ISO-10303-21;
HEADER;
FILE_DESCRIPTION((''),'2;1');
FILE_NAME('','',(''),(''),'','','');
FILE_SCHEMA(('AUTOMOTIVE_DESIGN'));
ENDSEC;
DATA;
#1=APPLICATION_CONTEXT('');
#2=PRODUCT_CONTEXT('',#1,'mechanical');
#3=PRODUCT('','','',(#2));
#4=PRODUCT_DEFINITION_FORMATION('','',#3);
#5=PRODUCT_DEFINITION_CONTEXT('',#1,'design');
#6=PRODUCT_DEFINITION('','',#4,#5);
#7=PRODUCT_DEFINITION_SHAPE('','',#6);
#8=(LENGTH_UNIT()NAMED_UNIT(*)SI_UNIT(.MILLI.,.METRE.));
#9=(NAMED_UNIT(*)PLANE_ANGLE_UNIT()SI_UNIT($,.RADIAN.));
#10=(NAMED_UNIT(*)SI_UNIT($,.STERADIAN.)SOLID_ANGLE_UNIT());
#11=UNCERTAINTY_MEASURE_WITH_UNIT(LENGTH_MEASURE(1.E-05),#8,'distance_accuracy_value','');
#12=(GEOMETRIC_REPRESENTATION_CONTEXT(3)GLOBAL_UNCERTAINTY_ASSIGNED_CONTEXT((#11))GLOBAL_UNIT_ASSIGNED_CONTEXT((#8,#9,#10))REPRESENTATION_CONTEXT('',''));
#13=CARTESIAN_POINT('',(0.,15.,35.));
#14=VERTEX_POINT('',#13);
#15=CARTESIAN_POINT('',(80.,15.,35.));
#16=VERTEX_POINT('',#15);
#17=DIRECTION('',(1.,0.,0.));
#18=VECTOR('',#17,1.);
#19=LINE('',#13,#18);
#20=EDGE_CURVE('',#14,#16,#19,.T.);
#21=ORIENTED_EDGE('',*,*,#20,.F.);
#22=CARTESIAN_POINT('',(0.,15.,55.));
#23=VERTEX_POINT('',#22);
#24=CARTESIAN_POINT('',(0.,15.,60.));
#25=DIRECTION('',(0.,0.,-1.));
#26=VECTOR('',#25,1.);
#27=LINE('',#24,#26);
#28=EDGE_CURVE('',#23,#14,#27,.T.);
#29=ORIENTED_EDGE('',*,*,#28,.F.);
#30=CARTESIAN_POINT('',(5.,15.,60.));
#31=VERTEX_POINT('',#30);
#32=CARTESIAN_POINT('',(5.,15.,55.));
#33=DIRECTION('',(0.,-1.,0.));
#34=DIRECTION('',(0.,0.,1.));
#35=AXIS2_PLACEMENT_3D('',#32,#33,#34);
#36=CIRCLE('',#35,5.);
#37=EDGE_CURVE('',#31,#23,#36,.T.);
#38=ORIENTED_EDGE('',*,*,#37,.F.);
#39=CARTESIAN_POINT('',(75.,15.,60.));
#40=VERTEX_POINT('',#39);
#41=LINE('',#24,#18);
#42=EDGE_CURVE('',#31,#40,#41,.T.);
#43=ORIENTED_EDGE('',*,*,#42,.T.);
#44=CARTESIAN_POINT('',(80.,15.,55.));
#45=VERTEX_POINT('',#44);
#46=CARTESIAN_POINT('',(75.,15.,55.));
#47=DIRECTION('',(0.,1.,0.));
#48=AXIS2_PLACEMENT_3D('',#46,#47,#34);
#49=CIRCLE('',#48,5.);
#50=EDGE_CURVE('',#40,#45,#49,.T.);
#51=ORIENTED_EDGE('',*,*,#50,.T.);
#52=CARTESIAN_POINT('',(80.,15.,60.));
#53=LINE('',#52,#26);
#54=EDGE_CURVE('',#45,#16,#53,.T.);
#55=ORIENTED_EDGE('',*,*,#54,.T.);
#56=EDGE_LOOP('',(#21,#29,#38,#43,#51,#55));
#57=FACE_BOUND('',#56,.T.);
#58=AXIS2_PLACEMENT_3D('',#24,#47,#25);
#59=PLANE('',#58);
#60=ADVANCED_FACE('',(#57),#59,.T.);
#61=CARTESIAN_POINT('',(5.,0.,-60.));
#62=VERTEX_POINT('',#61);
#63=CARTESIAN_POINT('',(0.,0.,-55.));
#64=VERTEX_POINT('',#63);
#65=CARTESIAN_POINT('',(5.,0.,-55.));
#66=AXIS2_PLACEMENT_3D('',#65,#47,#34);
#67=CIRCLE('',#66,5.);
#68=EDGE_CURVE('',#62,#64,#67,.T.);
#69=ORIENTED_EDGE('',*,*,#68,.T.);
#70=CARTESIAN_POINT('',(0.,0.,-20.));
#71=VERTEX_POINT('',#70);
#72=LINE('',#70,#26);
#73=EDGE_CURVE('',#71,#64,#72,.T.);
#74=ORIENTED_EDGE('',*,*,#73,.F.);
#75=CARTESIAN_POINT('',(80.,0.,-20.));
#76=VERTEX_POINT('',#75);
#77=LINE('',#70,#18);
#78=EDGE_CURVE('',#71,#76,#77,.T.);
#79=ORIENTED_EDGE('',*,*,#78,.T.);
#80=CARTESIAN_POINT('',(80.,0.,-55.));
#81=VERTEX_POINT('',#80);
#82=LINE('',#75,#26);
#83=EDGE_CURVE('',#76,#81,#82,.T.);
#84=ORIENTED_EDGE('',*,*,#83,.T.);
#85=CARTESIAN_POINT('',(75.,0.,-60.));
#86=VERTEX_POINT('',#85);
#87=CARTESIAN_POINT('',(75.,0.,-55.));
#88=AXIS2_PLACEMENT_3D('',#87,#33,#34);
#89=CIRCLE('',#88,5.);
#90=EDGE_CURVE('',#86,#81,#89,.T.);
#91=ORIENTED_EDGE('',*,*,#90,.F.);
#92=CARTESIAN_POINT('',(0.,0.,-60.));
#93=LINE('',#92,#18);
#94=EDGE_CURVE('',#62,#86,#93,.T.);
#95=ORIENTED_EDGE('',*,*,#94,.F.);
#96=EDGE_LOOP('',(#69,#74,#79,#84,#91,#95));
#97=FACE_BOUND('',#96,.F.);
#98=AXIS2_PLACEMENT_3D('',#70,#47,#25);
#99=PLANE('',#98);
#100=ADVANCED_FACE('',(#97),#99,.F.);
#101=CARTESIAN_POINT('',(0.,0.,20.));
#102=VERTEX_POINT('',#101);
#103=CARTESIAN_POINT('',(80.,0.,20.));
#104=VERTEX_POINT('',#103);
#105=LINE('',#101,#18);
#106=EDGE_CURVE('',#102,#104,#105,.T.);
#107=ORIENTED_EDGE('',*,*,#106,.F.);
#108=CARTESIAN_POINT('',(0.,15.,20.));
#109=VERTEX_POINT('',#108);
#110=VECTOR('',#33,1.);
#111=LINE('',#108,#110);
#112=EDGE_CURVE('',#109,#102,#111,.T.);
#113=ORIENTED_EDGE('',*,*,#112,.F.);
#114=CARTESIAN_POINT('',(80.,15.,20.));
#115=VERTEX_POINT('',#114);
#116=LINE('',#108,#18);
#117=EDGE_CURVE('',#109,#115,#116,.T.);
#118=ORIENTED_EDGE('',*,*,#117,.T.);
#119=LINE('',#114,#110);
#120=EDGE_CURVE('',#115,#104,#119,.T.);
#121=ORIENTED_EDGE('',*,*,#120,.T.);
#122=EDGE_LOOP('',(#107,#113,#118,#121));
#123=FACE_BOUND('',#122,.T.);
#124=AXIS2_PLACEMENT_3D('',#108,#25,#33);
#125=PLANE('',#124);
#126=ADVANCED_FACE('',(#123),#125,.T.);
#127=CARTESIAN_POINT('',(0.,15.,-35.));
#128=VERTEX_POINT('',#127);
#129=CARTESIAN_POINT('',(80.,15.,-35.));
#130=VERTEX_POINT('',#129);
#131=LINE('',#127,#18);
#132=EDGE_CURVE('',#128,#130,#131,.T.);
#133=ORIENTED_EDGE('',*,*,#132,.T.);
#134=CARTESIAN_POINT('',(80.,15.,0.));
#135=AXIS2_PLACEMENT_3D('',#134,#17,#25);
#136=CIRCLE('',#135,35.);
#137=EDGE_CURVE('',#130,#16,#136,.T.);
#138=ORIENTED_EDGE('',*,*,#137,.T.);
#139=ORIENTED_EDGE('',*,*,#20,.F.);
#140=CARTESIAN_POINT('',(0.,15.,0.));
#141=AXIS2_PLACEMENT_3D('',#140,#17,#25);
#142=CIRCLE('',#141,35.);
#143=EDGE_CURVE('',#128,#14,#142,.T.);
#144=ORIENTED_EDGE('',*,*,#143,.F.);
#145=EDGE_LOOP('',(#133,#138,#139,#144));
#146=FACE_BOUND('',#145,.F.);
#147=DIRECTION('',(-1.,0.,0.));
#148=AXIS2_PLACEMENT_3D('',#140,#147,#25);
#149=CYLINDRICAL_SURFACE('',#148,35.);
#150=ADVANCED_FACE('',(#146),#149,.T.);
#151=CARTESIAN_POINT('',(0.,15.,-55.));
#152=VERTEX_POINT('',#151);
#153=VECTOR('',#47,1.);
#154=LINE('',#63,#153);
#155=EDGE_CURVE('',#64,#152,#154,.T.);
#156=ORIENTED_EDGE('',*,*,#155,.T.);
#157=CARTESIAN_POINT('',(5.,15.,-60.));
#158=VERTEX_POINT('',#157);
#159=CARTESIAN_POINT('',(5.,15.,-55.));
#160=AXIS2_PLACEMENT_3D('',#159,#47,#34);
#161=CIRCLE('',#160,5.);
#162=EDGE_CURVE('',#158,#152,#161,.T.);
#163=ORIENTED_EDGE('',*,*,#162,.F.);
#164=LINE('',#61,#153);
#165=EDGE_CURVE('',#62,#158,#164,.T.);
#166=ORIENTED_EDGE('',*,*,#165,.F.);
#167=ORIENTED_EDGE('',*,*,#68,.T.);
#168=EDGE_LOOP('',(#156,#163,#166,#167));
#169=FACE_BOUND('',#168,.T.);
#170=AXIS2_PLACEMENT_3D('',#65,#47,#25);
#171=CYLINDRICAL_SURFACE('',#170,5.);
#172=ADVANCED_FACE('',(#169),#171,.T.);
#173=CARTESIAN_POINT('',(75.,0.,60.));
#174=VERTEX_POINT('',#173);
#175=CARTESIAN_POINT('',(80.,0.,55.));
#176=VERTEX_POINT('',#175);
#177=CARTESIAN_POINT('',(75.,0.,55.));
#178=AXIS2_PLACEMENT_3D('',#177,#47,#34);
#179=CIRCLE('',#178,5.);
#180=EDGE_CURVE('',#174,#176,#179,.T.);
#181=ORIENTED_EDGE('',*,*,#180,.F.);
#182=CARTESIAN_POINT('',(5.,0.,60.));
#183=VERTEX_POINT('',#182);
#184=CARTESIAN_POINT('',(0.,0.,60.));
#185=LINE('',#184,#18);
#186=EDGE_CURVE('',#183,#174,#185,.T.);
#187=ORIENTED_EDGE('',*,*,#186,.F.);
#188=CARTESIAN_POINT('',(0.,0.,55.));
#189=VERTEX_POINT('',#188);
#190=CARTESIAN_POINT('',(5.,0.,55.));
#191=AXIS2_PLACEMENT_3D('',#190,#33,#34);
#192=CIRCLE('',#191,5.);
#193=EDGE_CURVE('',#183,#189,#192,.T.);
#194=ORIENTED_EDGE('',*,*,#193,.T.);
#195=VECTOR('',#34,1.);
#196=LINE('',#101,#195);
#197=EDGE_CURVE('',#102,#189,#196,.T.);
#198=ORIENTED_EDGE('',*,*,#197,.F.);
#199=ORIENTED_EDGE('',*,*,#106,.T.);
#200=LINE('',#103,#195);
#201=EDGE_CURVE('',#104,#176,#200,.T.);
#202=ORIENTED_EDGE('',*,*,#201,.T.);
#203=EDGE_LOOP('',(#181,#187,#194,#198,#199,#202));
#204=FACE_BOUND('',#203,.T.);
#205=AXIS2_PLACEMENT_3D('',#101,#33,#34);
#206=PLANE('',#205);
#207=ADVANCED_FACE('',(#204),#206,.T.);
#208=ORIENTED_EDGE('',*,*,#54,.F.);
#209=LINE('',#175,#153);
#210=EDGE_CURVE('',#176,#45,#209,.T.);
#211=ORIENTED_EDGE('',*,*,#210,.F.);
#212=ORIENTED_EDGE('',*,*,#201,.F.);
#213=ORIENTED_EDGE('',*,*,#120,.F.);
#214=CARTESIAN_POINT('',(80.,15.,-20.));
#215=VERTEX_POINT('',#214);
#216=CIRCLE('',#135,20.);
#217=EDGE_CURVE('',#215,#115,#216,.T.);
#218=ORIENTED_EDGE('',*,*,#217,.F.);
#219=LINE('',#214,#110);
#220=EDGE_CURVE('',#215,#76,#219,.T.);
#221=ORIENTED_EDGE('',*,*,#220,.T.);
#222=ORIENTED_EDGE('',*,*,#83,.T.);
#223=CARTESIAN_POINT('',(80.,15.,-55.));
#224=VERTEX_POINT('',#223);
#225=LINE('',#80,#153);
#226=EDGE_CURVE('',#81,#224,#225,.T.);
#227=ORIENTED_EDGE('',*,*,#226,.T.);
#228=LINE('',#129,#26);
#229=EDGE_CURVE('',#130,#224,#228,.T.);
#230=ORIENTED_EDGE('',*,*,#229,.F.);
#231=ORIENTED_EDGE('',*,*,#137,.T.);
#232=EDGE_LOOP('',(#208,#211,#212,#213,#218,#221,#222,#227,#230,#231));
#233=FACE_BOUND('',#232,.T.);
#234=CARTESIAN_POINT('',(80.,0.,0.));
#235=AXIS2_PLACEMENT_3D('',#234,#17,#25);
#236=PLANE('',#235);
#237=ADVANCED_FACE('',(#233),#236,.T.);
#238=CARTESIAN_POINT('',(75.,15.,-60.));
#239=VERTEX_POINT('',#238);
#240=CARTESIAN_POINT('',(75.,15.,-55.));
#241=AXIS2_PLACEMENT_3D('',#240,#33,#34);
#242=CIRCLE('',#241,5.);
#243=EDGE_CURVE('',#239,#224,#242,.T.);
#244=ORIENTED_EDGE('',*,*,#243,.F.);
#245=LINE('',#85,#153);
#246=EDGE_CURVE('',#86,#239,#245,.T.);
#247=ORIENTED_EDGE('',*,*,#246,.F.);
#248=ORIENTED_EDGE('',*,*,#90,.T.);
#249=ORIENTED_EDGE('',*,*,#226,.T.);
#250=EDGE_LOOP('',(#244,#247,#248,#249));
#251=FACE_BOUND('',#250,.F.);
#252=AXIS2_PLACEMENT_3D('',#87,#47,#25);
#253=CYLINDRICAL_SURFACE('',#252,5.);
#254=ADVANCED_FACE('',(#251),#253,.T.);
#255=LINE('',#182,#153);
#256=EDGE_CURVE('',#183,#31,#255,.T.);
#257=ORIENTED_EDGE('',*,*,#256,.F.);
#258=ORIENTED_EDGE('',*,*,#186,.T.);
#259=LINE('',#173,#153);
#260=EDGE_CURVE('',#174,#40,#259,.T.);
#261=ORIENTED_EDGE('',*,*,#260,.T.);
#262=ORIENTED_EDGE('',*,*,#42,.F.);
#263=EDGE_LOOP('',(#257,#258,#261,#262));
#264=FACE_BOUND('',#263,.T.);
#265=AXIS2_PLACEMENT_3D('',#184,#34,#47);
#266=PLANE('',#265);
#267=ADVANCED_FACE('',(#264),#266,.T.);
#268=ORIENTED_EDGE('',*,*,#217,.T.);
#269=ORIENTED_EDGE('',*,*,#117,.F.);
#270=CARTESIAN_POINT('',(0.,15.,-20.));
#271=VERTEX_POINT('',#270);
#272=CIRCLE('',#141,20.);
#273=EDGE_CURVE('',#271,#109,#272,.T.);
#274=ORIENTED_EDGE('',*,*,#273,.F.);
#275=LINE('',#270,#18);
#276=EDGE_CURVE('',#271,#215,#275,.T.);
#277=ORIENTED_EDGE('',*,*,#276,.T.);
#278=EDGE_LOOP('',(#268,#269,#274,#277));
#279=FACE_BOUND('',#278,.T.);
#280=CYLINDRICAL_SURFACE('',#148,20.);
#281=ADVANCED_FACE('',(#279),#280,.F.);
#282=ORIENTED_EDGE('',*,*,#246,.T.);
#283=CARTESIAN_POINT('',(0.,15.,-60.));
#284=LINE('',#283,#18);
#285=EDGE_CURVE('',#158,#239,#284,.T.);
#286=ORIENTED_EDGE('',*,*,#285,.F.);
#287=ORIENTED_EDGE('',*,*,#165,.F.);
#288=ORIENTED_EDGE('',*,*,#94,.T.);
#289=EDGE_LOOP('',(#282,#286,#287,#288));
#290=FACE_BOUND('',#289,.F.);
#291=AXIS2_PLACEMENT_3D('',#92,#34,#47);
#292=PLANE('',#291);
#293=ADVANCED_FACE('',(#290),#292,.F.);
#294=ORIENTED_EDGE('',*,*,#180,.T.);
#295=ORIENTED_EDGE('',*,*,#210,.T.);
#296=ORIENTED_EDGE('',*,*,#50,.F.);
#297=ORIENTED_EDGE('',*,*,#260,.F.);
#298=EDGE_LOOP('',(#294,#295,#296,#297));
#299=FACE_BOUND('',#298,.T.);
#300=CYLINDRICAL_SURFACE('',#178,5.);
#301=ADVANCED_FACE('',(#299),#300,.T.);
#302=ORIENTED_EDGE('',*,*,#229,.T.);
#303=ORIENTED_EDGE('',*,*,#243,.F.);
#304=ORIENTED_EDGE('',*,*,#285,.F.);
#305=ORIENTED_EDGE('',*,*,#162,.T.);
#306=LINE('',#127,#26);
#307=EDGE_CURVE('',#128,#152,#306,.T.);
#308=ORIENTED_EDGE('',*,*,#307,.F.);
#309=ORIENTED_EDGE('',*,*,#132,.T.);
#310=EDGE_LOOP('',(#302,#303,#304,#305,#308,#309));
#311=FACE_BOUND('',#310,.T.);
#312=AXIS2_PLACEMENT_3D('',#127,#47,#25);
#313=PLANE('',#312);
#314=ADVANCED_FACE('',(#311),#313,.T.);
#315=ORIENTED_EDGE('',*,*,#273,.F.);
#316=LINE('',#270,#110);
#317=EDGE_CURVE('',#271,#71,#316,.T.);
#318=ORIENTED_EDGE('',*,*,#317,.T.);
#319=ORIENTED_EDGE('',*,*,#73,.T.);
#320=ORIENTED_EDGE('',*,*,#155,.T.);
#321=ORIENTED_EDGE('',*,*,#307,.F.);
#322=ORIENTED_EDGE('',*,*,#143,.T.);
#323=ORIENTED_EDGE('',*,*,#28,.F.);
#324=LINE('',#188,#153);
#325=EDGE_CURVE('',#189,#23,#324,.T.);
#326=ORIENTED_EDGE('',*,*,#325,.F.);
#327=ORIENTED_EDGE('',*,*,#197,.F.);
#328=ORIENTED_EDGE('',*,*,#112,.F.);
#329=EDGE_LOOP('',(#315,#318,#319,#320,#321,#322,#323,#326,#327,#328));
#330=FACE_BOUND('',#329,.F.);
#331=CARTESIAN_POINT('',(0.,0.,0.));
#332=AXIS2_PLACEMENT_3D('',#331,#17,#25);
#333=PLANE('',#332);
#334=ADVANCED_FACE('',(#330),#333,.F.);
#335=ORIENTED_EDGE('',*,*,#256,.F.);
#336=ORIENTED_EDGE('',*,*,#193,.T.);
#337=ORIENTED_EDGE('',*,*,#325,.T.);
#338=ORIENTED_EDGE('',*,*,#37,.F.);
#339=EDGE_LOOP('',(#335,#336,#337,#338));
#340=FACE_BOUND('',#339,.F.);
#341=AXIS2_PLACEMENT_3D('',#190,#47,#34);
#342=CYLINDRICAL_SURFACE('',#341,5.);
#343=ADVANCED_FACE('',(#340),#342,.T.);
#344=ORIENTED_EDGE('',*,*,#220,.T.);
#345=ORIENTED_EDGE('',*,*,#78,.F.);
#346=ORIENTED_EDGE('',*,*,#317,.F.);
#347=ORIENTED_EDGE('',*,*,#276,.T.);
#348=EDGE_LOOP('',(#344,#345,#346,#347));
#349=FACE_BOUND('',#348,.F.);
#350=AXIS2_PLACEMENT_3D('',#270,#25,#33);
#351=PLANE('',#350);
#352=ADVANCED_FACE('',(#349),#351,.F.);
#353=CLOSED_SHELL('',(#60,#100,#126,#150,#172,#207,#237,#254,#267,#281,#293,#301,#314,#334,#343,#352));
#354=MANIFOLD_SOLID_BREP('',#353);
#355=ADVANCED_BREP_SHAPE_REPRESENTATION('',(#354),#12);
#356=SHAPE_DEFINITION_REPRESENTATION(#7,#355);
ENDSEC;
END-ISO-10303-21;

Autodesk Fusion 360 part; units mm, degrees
sketch "Sketch1" plane through (0, 0, 0) normal (1, 0, 0) x (0, 0, -1)
  line L0 (20, 0) -> (60, 0)
  line L1 (-20, 0) -> (-60, 0)
  line L2 (-60, 0) -> (-60, 15)
  line L3 (60, 0) -> (60, 15)
  arc A0 (35, 15) -> (-35, 15) centre (0, 15) ccw
  arc A1 (20, 15) -> (-20, 15) centre (0, 15) ccw
  line L4 (20, 15) -> (20, 0)
  line L5 (-20, 15) -> (-20, 0)
  line L6 (-60, 15) -> (-35, 15)
  line L7 (35, 15) -> (60, 15)
  dimension "d1" = 60
  dimension "d2" = 60
  dimension "d3" = 15
  dimension "d4" = 15
extrude "Extrude1" add sketch "Sketch1" along normal blind 80
fillet "Fillet1" radius 5 4 edges at (0, 7.5, 60) (80, 7.5, 60) (80, 7.5, -60) (0, 7.5, -60)
